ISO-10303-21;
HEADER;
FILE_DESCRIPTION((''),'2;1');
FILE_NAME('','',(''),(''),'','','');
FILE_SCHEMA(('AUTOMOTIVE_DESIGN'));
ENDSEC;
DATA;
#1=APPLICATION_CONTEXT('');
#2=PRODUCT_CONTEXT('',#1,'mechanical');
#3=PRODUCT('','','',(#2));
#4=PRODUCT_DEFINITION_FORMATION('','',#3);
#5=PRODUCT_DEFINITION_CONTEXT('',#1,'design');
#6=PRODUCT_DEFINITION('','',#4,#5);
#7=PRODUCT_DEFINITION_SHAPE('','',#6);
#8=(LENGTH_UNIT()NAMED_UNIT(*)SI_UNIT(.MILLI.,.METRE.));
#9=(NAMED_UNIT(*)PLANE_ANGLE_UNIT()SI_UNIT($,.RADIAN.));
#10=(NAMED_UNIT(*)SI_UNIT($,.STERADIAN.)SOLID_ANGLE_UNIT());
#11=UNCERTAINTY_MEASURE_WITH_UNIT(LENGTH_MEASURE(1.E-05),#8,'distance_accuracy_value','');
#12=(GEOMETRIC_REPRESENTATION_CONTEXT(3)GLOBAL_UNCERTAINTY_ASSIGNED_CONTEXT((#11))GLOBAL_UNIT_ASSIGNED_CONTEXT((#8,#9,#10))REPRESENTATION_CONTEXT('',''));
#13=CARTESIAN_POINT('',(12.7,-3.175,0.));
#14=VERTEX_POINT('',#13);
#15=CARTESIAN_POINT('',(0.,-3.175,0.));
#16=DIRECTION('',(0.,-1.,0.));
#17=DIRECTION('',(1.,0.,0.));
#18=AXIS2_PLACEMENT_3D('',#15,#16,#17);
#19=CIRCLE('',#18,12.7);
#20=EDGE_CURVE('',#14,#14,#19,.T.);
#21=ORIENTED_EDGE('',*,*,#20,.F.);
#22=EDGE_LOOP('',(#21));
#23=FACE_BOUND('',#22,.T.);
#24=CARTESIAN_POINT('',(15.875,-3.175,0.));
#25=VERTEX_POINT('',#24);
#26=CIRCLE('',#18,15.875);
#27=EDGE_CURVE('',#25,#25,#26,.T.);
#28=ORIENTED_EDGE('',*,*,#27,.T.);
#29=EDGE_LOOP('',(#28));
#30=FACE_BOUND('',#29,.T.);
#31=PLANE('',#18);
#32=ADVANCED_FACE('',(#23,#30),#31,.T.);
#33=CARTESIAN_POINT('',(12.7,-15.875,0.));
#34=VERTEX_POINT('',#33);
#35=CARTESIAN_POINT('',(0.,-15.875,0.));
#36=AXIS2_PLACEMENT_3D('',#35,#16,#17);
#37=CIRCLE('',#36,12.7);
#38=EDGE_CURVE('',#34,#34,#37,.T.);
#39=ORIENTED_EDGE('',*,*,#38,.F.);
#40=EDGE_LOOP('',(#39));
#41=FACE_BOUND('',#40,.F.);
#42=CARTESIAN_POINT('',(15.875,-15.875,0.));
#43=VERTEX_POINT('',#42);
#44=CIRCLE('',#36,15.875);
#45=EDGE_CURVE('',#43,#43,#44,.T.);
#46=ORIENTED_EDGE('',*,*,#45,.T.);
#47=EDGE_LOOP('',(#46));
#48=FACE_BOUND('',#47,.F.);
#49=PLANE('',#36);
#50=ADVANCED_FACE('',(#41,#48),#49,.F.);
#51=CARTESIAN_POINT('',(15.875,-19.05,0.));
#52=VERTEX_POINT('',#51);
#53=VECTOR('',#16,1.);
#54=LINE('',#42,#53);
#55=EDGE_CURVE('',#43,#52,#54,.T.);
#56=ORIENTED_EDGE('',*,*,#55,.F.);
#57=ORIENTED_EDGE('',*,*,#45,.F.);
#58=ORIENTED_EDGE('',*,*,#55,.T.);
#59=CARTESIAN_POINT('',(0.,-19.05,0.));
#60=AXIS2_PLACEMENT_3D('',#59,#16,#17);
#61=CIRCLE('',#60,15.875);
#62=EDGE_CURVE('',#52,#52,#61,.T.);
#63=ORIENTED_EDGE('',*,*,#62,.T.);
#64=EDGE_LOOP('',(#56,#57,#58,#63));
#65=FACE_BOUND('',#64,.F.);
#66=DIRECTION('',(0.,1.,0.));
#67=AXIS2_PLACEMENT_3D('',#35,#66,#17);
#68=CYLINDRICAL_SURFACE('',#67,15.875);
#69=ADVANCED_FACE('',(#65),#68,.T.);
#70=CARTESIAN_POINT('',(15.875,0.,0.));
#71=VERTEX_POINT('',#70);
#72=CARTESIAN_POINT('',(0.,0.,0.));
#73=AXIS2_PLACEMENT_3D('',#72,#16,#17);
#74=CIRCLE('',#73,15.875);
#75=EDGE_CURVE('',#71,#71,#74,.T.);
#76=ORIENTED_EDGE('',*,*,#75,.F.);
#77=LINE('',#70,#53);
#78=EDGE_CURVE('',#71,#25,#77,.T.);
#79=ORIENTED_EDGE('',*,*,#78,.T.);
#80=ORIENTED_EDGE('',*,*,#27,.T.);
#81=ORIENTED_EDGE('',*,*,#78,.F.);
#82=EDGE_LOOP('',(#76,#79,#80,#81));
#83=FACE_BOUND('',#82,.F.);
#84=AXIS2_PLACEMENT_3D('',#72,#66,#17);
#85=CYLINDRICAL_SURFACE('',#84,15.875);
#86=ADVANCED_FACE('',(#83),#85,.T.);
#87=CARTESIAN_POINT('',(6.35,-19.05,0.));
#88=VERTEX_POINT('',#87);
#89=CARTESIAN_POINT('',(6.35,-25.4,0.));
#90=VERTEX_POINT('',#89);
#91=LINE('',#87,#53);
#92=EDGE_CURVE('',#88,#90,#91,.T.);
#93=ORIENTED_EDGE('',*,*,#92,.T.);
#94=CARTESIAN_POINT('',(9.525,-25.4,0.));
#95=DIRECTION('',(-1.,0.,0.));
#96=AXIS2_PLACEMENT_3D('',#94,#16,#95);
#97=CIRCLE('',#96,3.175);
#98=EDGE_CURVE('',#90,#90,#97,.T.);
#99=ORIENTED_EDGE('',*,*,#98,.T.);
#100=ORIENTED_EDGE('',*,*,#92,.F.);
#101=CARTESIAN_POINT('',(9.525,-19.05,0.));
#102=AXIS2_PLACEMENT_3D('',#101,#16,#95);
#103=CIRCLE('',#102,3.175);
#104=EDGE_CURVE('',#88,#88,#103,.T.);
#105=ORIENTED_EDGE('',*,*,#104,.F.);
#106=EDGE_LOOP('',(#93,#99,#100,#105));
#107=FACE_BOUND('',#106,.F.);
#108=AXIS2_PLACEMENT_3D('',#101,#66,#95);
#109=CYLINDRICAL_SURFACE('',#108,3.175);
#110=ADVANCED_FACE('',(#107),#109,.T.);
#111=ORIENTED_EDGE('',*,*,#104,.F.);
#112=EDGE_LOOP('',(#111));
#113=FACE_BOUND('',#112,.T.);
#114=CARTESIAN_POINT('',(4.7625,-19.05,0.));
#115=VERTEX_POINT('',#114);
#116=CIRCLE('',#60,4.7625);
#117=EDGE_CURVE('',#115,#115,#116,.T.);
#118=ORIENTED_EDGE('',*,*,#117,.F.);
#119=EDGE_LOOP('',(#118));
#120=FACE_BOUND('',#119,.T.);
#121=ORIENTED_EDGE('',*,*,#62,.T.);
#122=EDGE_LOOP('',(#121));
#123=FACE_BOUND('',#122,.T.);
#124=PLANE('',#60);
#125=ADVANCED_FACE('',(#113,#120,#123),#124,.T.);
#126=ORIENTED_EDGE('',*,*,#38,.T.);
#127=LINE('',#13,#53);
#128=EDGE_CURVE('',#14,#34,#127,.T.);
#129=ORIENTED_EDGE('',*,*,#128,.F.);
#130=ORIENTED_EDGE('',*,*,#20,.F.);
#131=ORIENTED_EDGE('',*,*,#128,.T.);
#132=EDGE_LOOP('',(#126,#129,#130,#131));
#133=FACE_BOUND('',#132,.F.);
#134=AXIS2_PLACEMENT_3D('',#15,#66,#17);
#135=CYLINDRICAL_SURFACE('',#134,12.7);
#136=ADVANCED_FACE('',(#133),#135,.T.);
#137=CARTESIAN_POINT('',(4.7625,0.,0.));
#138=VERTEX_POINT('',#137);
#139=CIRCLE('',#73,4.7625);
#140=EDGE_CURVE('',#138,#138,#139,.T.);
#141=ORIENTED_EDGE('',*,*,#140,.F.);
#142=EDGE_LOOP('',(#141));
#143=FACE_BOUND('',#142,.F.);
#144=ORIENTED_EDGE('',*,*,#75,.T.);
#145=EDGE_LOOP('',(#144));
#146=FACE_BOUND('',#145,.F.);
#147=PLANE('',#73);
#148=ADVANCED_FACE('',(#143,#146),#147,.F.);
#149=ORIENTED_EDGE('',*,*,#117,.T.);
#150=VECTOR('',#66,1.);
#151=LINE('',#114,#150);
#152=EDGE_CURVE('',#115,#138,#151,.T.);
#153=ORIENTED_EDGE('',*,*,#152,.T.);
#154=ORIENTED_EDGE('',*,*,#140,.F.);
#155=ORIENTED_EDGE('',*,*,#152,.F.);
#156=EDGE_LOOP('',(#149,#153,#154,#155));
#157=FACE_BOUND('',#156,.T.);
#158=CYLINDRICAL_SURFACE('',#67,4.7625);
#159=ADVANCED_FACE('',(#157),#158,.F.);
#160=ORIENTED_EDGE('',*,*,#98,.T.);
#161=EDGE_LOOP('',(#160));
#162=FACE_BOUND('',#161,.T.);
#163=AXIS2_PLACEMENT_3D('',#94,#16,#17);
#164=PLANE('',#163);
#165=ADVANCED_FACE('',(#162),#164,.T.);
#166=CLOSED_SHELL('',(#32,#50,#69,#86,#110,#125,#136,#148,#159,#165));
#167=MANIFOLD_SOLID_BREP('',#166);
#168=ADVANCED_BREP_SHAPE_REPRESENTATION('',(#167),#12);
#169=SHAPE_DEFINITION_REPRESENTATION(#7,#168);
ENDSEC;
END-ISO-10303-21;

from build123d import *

# Parameters (mm, degrees)
F0_R     = 15.875
F0_R_2   = 4.7625
F1_DEPTH = 3.175
F2_R     = 12.7
F2_R_2   = 4.7625
F3_DEPTH = 12.7
F4_R     = 15.875
F4_R_2   = 12.7
F4_R_3   = 4.7625
F5_DEPTH = 3.175
F7_DEPTH = 6.35


with BuildPart() as f1:
    # F0 (on Front) → F1 (new body)
    with BuildSketch(Plane.XZ):
        Circle(F0_R)
        Circle(F0_R_2, mode=Mode.SUBTRACT)
    extrude(amount=F1_DEPTH)

    # F2 (on face) → F3 (join)
    with BuildSketch(Plane.XZ.offset(3.175)):
        Circle(F2_R)
        Circle(F2_R_2, mode=Mode.SUBTRACT)
    extrude(amount=F3_DEPTH)

    # F4 (on face) → F5 (join)
    with BuildSketch(Plane.XZ.offset(15.875)):
        Circle(F4_R)
        Circle(F4_R_2, mode=Mode.SUBTRACT)
        Circle(F4_R_2)
        Circle(F4_R_3, mode=Mode.SUBTRACT)
    extrude(amount=F5_DEPTH)

    # F6 (on face) → F7 (join)
    with BuildSketch(Plane.XZ.offset(19.05)):
        with BuildLine():
            ThreePointArc((12.7, 0), (9.525, 3.175), (6.35, 0))
            ThreePointArc((6.35, 0), (9.525, -3.175), (12.7, 0))
        make_face()
    extrude(amount=F7_DEPTH)


solid = f1.part
